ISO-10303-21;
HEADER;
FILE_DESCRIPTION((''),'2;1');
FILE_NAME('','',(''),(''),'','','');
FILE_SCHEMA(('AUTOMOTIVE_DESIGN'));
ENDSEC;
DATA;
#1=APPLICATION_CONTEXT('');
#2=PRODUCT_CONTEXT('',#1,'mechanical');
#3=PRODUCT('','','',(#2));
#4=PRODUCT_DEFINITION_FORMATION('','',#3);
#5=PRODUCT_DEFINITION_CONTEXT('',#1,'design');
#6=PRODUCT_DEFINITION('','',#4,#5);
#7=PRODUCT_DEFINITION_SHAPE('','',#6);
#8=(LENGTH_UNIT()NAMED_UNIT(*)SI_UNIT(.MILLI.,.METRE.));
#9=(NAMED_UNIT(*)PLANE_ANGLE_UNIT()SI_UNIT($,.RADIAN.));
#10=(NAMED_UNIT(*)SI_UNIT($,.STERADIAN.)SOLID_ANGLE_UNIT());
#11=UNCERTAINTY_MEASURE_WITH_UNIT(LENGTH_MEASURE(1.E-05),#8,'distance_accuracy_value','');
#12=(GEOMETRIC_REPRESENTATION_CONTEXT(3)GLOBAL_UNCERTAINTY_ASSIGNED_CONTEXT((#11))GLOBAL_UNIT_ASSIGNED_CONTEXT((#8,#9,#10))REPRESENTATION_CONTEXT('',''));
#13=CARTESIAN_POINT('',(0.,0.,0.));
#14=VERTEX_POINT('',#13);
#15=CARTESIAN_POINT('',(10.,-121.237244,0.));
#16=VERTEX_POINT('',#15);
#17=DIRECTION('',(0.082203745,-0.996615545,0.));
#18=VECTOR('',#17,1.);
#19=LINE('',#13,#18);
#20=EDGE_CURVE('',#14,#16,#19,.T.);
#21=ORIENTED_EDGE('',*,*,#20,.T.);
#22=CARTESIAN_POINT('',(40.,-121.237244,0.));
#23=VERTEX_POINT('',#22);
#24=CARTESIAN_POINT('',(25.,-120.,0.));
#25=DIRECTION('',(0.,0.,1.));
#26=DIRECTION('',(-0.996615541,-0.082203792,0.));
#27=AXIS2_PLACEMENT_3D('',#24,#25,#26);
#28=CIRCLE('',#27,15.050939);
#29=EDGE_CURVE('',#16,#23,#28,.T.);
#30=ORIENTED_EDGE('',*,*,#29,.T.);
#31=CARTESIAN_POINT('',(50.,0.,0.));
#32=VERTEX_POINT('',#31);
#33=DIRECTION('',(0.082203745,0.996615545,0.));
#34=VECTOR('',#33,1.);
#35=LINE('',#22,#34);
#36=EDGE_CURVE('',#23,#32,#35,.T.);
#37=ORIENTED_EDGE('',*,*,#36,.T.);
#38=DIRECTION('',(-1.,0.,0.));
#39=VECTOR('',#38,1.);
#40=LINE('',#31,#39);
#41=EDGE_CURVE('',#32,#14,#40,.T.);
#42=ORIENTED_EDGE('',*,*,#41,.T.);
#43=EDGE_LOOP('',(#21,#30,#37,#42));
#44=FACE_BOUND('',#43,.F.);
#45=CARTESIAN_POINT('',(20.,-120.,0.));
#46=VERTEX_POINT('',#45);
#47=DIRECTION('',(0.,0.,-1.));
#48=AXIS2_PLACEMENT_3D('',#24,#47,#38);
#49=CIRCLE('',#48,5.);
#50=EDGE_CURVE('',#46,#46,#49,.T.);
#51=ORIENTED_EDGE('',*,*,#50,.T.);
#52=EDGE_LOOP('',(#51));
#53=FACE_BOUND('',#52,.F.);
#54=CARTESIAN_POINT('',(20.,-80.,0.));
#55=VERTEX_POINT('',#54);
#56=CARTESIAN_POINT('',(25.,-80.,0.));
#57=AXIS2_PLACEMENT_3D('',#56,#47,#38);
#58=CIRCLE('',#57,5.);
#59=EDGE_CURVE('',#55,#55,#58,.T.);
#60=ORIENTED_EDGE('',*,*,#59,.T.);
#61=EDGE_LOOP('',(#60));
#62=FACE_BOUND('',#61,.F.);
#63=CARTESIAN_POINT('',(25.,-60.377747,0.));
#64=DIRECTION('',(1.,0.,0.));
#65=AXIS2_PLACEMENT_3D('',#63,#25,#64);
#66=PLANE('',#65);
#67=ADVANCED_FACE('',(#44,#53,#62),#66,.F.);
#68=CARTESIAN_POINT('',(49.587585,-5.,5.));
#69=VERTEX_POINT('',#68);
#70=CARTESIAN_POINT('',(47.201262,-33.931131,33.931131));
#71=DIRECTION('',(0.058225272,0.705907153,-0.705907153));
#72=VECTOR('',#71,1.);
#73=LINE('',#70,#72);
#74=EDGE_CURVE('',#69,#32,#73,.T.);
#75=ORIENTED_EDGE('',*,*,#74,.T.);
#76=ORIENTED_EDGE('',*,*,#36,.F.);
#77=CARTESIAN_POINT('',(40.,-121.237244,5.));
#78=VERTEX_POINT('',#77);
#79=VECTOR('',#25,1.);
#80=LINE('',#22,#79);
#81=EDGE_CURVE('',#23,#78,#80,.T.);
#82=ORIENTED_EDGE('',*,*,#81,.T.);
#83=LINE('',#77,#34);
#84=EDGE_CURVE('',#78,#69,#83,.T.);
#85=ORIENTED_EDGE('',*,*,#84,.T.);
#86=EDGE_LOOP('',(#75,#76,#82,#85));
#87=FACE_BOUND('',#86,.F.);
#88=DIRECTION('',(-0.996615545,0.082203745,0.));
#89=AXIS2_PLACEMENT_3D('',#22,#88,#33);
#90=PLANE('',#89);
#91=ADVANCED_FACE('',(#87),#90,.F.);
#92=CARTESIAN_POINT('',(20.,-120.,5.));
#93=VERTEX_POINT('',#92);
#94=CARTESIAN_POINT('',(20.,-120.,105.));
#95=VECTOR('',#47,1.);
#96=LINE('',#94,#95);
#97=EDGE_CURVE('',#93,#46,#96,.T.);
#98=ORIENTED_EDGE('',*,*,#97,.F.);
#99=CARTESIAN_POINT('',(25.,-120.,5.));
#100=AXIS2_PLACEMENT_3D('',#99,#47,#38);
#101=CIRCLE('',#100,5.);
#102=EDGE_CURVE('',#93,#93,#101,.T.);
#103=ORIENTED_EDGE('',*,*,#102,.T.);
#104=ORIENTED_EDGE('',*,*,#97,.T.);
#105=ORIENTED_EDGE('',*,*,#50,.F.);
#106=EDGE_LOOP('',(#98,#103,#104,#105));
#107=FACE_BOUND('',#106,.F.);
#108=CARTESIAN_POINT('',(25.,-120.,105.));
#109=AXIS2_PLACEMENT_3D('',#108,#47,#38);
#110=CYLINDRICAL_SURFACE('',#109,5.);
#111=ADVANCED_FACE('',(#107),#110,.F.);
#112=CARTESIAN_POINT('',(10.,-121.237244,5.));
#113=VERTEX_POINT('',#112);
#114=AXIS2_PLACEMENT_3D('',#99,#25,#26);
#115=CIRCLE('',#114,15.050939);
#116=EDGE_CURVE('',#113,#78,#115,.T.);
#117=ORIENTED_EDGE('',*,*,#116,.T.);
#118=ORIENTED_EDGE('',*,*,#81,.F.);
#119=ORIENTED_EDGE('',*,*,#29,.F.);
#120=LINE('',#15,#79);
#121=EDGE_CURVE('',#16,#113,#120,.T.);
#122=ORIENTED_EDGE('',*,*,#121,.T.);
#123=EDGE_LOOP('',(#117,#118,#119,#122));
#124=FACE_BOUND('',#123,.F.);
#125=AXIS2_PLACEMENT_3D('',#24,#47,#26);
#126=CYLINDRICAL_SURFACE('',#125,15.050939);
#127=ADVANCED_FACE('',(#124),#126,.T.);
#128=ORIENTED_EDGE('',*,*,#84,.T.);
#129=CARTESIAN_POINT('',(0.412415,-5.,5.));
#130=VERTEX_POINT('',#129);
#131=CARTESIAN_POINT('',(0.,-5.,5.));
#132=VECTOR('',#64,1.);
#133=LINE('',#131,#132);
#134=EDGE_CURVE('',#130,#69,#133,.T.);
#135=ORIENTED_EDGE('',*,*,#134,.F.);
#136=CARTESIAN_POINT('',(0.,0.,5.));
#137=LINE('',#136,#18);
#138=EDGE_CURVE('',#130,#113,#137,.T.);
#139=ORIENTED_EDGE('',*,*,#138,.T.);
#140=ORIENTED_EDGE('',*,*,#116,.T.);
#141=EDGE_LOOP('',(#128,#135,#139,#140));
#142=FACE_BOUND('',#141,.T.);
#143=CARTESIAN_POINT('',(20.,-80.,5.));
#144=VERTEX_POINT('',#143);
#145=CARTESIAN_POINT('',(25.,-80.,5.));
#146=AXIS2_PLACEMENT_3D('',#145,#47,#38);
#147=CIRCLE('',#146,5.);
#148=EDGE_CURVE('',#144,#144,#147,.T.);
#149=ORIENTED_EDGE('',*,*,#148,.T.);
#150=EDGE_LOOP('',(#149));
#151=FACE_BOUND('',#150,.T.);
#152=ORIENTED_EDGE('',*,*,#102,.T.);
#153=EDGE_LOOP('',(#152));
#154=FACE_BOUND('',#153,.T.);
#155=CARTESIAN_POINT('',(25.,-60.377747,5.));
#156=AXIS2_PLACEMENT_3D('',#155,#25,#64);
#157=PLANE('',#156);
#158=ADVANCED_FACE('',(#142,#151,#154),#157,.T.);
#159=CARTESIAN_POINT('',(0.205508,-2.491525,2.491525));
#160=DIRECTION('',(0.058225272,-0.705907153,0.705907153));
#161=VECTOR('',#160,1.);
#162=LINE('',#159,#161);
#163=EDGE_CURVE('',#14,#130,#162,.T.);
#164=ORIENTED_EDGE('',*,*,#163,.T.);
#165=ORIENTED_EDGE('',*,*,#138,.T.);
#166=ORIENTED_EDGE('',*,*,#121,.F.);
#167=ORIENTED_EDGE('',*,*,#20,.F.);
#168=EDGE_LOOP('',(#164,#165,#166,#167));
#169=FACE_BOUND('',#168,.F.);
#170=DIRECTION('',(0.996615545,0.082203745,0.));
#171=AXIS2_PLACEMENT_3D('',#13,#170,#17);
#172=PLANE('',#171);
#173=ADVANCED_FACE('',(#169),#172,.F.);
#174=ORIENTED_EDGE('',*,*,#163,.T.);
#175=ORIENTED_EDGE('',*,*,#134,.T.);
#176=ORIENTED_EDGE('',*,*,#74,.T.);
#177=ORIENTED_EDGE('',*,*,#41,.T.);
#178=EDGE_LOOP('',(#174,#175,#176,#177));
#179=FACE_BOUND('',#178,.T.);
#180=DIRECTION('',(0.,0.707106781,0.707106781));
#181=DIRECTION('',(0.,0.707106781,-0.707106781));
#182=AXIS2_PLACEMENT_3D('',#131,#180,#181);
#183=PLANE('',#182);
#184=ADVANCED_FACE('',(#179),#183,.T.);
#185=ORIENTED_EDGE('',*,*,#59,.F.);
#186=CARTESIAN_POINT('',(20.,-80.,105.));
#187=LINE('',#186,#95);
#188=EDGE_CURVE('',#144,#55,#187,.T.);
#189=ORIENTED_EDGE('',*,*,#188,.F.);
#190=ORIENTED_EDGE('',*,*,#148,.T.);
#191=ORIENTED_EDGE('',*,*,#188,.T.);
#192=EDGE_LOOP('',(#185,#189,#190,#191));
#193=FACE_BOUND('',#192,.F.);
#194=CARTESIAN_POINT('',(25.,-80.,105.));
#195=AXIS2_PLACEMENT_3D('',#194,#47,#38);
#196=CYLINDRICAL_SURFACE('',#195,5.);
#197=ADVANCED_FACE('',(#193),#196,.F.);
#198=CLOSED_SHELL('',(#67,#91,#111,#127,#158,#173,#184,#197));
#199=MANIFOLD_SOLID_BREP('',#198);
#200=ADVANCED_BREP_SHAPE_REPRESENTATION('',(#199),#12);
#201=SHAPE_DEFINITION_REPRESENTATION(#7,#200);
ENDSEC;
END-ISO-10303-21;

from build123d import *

# Parameters (mm, degrees)
F1_DEPTH = 5
F3_DEPTH = 50.001
F5_D     = 10
F5_DEPTH = 100


with BuildPart() as f1:
    # F0 (on Top) → F1 (new body)
    with BuildSketch(Plane.XY):
        with BuildLine():
            Line((50, 0), (0, 0))
            Line((0, 0), (10, -121.237244))
            ThreePointArc((10, -121.237244), (25, -135.050939), (40, -121.237244))
            Line((40, -121.237244), (50, 0))
        make_face()
    extrude(amount=F1_DEPTH)

    # F2 (on Right) → F3 (cut, through all)
    with BuildSketch(Plane.YZ):
        Polygon((-5, 5), (0, 0), (0, 5), align=None)
    extrude(amount=F3_DEPTH, mode=Mode.SUBTRACT)

    # F5
    with Locations(Plane.XY.offset(5)):
        with Locations((25, -120), (25, -80)):
            Hole(F5_D / 2, depth=F5_DEPTH)


solid = f1.part
